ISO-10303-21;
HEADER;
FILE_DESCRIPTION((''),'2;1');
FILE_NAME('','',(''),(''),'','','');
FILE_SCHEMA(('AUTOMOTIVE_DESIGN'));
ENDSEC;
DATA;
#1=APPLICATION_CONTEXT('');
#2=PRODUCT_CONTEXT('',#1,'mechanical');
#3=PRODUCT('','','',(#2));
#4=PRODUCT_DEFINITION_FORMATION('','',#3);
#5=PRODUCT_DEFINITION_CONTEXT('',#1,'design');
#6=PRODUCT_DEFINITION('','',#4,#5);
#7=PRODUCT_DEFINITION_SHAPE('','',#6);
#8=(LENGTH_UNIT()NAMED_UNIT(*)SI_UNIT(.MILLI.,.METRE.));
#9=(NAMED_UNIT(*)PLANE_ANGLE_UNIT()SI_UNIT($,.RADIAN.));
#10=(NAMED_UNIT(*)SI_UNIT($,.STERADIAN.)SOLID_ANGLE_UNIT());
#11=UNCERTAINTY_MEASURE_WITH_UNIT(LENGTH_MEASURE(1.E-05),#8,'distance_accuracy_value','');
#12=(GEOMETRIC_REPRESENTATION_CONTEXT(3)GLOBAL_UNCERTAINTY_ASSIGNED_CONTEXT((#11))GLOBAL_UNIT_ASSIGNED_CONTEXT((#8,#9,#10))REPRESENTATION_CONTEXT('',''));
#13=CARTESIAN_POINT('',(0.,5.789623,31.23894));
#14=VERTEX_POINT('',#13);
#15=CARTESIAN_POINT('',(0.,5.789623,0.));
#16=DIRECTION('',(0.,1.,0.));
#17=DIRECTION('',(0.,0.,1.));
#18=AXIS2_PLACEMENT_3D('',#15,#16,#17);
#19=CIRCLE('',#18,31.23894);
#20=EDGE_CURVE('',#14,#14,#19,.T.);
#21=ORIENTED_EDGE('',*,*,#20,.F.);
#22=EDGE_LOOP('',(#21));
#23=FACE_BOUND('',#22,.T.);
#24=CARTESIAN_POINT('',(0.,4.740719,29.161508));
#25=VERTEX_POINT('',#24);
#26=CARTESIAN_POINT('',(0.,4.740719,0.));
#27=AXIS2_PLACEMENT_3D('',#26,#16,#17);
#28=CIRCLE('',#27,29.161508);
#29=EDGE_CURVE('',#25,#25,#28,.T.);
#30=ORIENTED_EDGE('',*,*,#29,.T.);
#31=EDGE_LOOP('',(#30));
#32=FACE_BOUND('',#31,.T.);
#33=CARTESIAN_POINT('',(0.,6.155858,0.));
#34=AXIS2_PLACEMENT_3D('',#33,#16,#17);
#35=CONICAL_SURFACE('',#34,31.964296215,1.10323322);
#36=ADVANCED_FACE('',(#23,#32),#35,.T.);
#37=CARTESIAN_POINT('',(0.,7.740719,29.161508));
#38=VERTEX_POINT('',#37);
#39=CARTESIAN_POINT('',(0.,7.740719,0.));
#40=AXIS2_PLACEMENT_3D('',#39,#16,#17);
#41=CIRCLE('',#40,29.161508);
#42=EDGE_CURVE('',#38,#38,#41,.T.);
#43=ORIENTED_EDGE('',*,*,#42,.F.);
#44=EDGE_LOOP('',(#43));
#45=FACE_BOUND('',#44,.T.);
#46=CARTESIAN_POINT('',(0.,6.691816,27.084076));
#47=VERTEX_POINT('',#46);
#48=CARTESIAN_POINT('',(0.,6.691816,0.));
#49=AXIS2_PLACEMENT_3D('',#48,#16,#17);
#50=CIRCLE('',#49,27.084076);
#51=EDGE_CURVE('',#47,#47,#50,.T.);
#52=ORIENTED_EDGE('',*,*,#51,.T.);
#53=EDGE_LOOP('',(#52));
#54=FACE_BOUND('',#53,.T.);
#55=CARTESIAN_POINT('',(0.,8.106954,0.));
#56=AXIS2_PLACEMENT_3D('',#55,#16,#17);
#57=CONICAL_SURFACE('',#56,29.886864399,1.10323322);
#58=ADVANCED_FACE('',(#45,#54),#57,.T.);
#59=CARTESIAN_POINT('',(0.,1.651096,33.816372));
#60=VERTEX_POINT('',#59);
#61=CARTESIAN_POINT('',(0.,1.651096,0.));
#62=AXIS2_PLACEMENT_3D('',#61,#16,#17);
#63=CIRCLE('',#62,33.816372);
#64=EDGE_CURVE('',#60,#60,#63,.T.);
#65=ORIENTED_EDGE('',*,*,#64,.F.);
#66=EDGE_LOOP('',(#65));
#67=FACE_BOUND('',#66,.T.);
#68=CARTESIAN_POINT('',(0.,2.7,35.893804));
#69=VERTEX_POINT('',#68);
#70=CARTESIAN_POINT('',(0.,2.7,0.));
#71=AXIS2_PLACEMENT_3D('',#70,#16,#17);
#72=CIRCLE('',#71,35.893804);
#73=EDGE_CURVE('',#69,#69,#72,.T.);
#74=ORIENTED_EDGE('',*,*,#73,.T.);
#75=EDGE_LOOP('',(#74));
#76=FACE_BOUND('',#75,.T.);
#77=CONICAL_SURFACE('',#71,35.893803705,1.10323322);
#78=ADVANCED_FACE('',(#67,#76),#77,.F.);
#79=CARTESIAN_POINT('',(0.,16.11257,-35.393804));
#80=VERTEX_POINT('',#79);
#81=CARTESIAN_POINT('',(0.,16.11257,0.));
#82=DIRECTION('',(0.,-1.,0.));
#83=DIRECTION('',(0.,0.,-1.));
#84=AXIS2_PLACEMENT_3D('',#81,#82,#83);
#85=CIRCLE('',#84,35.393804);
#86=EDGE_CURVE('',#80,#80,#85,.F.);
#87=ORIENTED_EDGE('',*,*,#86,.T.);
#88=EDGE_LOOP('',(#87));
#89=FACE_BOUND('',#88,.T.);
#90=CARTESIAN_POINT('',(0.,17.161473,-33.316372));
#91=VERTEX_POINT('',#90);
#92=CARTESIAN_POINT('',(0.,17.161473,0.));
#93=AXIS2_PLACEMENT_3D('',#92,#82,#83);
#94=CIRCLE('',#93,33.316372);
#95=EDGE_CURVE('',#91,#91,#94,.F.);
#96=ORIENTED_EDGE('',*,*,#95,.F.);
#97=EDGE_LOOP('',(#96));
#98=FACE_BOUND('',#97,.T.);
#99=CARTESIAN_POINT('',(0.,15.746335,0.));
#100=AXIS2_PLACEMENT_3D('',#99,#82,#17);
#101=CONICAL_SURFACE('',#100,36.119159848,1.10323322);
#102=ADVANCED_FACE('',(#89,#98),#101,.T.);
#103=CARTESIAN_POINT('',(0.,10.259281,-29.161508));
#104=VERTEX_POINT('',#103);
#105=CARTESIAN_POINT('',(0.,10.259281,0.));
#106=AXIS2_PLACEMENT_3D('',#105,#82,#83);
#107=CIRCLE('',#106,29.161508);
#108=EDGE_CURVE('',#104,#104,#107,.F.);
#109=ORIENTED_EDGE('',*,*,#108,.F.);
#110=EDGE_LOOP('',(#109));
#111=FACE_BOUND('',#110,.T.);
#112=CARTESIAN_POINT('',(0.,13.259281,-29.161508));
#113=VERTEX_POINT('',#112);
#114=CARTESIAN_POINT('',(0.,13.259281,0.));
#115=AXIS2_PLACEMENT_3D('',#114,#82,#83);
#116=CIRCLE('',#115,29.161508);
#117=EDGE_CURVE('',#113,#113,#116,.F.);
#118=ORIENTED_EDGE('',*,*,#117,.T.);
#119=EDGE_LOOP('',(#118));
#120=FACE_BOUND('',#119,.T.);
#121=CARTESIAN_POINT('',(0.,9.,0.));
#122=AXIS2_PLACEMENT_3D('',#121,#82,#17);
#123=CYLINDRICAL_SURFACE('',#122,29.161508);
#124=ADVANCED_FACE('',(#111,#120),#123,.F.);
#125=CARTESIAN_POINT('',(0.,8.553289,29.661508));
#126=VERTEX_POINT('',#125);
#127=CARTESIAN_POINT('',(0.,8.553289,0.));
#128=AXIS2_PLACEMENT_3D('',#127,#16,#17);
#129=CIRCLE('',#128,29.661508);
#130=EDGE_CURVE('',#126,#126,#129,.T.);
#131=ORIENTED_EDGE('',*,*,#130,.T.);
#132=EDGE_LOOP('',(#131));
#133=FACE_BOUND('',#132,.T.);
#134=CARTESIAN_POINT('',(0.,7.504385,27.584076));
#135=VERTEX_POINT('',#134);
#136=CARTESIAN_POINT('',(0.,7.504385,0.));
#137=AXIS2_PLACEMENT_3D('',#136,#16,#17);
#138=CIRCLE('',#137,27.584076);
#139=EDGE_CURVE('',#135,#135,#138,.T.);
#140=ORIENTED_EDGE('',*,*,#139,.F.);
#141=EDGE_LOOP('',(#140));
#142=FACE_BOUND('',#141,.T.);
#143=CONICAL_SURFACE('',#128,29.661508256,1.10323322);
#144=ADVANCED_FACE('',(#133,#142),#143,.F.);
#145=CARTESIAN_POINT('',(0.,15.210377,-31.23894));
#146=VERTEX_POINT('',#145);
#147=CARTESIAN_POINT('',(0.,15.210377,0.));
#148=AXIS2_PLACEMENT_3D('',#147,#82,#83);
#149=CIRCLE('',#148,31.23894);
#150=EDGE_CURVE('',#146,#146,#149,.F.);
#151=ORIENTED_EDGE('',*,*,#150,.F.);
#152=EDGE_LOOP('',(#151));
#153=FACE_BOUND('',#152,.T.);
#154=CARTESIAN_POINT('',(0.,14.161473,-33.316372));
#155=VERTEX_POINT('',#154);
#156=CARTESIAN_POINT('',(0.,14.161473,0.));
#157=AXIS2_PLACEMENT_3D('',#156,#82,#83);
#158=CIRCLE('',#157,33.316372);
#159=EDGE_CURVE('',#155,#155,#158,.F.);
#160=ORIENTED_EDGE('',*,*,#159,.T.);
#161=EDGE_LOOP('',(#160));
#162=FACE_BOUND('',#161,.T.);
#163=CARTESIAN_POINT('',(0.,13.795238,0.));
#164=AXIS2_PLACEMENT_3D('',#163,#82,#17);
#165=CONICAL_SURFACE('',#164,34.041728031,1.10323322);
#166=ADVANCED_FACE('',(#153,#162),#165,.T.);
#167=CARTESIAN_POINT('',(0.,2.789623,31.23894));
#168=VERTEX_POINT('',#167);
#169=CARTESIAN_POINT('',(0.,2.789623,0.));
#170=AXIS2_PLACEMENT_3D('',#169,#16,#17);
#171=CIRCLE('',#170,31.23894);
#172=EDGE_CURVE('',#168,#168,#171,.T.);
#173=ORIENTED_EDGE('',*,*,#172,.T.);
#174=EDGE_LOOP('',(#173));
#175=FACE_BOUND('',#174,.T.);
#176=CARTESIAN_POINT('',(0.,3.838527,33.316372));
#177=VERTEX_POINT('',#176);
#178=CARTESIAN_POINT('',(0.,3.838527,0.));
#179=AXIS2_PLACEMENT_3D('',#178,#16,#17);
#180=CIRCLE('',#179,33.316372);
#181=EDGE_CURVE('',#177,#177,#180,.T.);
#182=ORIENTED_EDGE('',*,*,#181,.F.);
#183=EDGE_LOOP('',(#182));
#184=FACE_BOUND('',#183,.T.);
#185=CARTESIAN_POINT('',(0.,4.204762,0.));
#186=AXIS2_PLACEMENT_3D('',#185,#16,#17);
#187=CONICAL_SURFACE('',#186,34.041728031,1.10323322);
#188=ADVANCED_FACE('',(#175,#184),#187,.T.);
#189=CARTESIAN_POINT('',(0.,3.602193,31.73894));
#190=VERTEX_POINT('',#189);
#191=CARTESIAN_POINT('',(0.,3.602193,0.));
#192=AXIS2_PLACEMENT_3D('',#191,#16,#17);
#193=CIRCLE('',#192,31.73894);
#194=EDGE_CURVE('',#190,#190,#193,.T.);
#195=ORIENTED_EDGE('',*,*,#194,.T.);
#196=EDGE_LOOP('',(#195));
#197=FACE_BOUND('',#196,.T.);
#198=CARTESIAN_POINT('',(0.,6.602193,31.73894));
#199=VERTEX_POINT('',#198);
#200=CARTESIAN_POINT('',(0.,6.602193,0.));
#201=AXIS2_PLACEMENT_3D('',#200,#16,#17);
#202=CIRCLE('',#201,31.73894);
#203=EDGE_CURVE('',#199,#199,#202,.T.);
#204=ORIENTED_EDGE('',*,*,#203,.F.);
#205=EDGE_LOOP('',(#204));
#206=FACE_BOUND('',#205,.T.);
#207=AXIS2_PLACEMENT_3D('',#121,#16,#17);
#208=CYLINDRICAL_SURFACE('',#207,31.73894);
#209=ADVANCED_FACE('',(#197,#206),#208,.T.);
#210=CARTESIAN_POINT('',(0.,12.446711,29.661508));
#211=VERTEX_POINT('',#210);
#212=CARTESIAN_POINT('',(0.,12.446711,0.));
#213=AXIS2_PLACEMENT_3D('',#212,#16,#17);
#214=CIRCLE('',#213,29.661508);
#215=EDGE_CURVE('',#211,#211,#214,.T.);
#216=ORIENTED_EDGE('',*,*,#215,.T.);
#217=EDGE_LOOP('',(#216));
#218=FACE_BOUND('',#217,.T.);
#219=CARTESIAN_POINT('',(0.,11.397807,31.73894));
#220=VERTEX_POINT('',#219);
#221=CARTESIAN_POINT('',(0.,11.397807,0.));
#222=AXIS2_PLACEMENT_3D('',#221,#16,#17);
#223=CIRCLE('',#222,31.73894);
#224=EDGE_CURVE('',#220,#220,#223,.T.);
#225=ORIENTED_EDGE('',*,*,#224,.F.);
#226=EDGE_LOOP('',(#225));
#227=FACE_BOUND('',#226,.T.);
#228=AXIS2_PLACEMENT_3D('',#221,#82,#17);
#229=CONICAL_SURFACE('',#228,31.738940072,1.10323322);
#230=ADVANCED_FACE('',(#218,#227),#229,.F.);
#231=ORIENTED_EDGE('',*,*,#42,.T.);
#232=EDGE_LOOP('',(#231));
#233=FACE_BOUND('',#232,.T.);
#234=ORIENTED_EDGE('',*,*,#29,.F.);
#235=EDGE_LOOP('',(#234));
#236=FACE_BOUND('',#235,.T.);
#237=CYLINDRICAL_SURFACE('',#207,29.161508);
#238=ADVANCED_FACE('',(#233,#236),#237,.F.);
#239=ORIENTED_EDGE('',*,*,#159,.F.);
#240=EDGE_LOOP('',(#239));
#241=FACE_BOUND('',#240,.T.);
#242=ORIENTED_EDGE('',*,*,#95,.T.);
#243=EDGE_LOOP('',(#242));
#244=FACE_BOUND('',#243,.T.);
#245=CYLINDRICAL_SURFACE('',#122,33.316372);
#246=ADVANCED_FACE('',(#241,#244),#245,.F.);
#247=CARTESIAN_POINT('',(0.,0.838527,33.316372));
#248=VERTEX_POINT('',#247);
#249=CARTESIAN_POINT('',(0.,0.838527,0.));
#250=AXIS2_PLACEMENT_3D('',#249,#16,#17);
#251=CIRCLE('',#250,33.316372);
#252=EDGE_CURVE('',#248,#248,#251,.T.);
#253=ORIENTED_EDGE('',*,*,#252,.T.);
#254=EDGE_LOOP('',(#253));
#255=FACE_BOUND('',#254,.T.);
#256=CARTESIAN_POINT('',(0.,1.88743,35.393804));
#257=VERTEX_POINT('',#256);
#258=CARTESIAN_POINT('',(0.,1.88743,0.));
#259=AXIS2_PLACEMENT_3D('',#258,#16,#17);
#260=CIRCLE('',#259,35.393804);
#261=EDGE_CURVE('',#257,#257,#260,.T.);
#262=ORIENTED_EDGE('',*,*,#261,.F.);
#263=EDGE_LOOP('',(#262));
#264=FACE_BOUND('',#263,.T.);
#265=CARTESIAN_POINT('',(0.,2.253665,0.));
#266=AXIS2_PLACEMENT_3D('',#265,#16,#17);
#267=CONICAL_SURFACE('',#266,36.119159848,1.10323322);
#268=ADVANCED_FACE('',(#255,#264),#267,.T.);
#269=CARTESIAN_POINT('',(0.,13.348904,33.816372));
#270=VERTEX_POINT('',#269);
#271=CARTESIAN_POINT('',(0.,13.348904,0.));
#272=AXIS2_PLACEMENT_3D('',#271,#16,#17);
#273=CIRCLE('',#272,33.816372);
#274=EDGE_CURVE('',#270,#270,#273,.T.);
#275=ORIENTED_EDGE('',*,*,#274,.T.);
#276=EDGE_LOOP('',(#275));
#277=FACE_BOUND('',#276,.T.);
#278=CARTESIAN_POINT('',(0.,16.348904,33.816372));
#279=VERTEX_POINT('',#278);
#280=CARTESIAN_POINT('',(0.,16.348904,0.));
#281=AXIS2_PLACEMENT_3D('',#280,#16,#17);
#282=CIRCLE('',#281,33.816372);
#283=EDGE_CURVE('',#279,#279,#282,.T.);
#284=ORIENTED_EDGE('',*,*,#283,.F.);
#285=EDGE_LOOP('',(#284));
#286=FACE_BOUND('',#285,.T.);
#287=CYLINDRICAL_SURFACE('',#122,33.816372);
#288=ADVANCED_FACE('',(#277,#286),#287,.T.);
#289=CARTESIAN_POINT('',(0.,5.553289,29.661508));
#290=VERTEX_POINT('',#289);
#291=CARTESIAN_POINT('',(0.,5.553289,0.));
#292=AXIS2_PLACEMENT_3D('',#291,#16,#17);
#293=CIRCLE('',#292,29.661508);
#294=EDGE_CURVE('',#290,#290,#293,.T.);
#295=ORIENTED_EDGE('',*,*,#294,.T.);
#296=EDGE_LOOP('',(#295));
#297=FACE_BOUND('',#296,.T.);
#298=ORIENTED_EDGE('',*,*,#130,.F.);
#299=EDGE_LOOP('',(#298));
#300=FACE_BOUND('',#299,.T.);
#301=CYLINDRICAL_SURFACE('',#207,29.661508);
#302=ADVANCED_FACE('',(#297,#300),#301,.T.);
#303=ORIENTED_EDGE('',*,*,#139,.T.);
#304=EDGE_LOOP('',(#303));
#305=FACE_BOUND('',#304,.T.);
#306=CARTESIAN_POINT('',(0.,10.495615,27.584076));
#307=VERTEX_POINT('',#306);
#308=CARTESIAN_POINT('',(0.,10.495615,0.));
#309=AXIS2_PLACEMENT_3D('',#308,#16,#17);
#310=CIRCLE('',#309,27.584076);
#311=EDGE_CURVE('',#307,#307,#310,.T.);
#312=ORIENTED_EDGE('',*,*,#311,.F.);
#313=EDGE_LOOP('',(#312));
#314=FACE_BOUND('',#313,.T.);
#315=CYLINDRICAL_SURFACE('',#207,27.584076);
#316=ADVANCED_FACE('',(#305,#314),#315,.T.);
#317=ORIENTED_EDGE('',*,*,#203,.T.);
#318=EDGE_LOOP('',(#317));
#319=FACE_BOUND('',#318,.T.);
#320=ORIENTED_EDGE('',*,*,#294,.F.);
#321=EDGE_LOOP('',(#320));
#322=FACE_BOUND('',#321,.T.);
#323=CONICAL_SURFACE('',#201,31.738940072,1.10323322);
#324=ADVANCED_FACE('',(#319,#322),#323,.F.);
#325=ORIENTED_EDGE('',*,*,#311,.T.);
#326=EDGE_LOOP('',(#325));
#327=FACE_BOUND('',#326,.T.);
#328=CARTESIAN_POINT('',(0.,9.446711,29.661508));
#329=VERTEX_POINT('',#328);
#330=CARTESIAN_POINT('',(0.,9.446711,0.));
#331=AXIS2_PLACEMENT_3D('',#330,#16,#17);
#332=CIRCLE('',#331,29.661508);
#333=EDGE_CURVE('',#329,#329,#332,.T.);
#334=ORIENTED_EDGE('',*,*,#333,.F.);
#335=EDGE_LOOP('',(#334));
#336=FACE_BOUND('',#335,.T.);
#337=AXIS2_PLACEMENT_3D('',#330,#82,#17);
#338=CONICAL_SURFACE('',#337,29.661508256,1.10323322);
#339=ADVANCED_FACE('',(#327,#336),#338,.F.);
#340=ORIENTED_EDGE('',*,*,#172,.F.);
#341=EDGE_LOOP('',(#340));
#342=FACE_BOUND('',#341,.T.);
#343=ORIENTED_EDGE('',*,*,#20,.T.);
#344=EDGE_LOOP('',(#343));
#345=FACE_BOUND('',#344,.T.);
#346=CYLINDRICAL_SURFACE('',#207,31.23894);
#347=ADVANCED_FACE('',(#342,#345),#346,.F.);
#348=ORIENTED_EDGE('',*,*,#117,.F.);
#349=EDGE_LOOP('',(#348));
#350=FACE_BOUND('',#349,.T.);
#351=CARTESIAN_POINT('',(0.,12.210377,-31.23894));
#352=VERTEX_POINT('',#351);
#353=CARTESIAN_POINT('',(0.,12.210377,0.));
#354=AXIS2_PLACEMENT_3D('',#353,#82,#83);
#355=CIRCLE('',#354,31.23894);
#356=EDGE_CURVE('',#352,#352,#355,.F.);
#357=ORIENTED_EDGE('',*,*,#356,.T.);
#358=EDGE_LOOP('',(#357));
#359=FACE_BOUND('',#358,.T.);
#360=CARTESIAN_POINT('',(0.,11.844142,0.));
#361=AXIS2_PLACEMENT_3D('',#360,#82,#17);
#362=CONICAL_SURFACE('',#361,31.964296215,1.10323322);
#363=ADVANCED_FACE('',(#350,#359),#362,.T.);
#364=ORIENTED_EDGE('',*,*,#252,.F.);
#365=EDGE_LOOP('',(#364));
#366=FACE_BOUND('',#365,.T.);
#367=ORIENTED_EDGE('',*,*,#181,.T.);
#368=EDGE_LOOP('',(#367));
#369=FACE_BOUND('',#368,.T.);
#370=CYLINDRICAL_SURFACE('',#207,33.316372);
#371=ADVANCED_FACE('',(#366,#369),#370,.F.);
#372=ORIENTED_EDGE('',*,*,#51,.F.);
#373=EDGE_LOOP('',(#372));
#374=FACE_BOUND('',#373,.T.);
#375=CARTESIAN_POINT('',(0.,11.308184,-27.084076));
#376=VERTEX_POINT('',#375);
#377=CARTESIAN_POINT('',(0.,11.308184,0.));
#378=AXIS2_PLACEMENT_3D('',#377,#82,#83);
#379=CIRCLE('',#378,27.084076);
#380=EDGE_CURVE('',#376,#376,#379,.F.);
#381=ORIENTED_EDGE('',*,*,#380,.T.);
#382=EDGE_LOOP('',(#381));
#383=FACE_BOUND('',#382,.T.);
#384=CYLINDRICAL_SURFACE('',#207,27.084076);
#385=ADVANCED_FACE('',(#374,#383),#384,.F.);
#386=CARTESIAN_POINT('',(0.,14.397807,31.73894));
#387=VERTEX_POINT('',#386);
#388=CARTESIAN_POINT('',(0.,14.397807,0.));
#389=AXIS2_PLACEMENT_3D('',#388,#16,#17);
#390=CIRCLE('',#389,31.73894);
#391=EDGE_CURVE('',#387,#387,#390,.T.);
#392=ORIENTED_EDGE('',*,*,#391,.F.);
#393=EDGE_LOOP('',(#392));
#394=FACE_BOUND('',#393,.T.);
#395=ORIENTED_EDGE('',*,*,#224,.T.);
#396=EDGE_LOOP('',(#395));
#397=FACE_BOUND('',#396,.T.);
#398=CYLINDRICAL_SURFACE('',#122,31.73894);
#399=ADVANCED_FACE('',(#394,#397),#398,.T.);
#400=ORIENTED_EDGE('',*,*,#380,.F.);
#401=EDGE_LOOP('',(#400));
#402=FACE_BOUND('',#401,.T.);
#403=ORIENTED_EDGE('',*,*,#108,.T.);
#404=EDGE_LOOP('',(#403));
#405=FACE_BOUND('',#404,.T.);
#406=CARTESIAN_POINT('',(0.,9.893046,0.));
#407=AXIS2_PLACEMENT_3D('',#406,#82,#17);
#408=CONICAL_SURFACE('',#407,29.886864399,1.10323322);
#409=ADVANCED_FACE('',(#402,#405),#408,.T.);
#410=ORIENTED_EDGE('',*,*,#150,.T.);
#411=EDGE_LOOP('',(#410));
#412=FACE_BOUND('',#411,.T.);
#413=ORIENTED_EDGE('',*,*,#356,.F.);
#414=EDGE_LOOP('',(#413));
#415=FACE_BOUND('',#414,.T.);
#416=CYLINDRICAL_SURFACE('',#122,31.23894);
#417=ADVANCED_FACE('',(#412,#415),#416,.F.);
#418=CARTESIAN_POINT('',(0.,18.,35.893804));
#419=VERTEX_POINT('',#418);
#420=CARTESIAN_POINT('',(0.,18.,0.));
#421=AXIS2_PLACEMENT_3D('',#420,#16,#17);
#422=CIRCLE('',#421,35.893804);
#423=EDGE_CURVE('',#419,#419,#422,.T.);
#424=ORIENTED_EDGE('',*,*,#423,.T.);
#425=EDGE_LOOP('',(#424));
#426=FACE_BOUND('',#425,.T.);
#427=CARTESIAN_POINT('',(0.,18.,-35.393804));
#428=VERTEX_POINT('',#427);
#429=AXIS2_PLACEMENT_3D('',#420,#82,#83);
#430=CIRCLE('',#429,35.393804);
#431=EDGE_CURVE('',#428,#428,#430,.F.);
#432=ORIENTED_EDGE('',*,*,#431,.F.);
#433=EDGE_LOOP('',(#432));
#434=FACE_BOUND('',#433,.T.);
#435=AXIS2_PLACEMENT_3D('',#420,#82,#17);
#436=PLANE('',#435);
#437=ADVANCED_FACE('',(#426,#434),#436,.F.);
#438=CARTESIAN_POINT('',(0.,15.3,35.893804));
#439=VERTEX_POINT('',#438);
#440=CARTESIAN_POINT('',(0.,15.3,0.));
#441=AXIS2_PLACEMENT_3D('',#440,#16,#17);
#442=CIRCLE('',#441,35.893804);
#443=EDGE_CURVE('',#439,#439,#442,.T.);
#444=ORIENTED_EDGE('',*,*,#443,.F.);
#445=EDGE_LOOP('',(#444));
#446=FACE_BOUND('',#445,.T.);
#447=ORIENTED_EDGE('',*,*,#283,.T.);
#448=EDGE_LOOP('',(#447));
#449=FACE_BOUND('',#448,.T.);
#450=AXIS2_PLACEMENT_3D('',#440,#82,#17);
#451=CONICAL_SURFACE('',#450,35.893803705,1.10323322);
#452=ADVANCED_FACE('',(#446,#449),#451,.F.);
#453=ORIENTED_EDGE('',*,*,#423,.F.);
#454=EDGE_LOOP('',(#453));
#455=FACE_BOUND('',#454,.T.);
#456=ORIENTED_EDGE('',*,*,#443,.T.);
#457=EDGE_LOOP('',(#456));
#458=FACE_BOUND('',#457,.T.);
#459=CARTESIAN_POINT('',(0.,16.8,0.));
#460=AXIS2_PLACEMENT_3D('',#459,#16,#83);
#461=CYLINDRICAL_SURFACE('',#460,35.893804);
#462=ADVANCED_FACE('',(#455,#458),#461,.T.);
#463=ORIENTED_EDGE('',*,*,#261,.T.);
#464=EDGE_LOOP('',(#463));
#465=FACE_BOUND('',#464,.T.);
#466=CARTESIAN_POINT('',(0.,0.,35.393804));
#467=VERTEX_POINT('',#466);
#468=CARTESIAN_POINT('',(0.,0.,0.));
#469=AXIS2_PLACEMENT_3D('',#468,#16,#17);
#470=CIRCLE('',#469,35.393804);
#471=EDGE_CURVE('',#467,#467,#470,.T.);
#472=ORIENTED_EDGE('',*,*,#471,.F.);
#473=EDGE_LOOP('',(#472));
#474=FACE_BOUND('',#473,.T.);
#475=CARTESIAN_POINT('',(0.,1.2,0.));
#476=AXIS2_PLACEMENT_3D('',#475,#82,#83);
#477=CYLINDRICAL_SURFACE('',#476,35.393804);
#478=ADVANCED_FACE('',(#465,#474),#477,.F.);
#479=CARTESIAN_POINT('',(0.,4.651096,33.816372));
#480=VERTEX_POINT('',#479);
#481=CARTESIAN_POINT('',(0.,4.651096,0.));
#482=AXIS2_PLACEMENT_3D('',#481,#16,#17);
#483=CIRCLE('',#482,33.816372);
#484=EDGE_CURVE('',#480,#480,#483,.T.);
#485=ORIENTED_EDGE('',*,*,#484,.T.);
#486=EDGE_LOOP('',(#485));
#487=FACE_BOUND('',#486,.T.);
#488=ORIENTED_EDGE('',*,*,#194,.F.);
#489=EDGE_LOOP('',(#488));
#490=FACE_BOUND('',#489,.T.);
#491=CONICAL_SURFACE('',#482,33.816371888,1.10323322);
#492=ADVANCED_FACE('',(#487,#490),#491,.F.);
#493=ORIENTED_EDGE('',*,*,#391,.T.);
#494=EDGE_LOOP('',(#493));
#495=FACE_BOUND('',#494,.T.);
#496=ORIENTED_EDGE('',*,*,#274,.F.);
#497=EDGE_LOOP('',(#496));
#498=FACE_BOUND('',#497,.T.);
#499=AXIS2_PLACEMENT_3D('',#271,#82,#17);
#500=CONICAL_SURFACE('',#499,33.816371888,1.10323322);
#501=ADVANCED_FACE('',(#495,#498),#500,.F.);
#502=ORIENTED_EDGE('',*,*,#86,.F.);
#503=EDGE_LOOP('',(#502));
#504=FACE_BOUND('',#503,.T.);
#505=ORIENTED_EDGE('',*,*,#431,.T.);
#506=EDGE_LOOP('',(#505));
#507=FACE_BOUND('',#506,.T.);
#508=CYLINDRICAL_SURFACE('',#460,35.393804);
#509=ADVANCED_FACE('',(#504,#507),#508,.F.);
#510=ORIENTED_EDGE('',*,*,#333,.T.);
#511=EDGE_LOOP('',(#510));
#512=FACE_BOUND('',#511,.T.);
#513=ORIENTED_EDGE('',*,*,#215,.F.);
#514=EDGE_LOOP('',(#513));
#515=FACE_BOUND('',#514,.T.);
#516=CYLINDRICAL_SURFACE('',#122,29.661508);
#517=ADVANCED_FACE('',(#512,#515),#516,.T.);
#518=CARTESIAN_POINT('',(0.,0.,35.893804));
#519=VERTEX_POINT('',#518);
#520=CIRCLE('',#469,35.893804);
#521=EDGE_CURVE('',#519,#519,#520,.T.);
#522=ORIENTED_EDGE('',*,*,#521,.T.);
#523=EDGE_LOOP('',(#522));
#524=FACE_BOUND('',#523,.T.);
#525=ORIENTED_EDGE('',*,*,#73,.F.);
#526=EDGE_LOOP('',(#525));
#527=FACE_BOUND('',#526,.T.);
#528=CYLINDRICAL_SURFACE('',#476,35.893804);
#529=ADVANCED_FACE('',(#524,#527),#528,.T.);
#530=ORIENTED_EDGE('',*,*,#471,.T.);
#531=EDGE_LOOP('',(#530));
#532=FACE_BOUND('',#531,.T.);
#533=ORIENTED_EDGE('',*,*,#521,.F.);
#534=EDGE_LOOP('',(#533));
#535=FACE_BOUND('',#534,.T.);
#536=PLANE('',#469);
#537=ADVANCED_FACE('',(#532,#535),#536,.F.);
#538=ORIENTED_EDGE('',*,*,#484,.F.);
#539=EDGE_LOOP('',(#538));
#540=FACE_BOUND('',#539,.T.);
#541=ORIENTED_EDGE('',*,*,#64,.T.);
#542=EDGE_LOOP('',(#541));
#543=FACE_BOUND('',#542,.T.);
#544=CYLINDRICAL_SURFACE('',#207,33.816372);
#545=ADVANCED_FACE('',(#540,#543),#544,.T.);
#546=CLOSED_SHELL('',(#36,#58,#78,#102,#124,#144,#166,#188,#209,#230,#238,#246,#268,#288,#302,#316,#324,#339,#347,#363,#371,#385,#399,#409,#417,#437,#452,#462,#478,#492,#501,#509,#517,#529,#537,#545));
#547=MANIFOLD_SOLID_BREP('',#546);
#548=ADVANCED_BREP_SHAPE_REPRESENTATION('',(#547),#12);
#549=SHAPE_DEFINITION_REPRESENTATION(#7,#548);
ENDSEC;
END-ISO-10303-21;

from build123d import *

# Parameters (mm, degrees)
SKETCH_1_R      = 35.893803705
EXTRUDE_1_DEPTH = 1.2
SHELL_1_T       = -0.5


with BuildPart() as part:
    # 스케치1 → 보스-돌출1 (new body)
    with BuildSketch(Plane(origin=(0, 0, 0), x_dir=(1, 0, 0), z_dir=(0, 1, 0))):
        with Locations(Location((0, 0, 0), (0, 0, 270))):
            Circle(SKETCH_1_R)
    extrude_1 = extrude(amount=EXTRUDE_1_DEPTH)

    # 스케치4 → 회전1 (revolve)
    with BuildSketch(Plane(origin=(0, 0, 0), x_dir=(0, 0, -1), z_dir=(1, 0, 0))):
        Polygon((-35.893803705, 2.7), (-35.893803705, 1.2), (0, 1.2), (0, 9), (-27.584076439, 9), (-27.584076439, 7.504385483), (-29.661508256, 8.553289112), (-29.661508256, 7.053289112), (-29.661508256, 5.553289112), (-31.738940072, 6.602192742), (-31.738940072, 5.102192742), (-31.738940072, 3.602192742), (-33.816371888, 4.651096371), (-33.816371888, 3.151096371), (-33.816371888, 1.651096371), align=None)
    revolve_1 = revolve(axis=Axis((0, 9, 0), (0, -1, 0)))

    # 대칭 복사1: 보스-돌출1, 회전1 across plane
    add(extrude_1.mirror(Plane(origin=(0, 9, 0), x_dir=(0, 0, 1), z_dir=(0, -1, 0))))
    add(revolve_1.mirror(Plane(origin=(0, 9, 0), x_dir=(0, 0, 1), z_dir=(0, -1, 0))))

    # 쉘1
    shell_1_openings = [part.faces().sort_by_distance(p)[0] for p in [
        (0, 18, 0),
        (0, 0, 0),
    ]]
    offset(amount=SHELL_1_T, openings=shell_1_openings, kind=Kind.INTERSECTION)


solid = part.part
